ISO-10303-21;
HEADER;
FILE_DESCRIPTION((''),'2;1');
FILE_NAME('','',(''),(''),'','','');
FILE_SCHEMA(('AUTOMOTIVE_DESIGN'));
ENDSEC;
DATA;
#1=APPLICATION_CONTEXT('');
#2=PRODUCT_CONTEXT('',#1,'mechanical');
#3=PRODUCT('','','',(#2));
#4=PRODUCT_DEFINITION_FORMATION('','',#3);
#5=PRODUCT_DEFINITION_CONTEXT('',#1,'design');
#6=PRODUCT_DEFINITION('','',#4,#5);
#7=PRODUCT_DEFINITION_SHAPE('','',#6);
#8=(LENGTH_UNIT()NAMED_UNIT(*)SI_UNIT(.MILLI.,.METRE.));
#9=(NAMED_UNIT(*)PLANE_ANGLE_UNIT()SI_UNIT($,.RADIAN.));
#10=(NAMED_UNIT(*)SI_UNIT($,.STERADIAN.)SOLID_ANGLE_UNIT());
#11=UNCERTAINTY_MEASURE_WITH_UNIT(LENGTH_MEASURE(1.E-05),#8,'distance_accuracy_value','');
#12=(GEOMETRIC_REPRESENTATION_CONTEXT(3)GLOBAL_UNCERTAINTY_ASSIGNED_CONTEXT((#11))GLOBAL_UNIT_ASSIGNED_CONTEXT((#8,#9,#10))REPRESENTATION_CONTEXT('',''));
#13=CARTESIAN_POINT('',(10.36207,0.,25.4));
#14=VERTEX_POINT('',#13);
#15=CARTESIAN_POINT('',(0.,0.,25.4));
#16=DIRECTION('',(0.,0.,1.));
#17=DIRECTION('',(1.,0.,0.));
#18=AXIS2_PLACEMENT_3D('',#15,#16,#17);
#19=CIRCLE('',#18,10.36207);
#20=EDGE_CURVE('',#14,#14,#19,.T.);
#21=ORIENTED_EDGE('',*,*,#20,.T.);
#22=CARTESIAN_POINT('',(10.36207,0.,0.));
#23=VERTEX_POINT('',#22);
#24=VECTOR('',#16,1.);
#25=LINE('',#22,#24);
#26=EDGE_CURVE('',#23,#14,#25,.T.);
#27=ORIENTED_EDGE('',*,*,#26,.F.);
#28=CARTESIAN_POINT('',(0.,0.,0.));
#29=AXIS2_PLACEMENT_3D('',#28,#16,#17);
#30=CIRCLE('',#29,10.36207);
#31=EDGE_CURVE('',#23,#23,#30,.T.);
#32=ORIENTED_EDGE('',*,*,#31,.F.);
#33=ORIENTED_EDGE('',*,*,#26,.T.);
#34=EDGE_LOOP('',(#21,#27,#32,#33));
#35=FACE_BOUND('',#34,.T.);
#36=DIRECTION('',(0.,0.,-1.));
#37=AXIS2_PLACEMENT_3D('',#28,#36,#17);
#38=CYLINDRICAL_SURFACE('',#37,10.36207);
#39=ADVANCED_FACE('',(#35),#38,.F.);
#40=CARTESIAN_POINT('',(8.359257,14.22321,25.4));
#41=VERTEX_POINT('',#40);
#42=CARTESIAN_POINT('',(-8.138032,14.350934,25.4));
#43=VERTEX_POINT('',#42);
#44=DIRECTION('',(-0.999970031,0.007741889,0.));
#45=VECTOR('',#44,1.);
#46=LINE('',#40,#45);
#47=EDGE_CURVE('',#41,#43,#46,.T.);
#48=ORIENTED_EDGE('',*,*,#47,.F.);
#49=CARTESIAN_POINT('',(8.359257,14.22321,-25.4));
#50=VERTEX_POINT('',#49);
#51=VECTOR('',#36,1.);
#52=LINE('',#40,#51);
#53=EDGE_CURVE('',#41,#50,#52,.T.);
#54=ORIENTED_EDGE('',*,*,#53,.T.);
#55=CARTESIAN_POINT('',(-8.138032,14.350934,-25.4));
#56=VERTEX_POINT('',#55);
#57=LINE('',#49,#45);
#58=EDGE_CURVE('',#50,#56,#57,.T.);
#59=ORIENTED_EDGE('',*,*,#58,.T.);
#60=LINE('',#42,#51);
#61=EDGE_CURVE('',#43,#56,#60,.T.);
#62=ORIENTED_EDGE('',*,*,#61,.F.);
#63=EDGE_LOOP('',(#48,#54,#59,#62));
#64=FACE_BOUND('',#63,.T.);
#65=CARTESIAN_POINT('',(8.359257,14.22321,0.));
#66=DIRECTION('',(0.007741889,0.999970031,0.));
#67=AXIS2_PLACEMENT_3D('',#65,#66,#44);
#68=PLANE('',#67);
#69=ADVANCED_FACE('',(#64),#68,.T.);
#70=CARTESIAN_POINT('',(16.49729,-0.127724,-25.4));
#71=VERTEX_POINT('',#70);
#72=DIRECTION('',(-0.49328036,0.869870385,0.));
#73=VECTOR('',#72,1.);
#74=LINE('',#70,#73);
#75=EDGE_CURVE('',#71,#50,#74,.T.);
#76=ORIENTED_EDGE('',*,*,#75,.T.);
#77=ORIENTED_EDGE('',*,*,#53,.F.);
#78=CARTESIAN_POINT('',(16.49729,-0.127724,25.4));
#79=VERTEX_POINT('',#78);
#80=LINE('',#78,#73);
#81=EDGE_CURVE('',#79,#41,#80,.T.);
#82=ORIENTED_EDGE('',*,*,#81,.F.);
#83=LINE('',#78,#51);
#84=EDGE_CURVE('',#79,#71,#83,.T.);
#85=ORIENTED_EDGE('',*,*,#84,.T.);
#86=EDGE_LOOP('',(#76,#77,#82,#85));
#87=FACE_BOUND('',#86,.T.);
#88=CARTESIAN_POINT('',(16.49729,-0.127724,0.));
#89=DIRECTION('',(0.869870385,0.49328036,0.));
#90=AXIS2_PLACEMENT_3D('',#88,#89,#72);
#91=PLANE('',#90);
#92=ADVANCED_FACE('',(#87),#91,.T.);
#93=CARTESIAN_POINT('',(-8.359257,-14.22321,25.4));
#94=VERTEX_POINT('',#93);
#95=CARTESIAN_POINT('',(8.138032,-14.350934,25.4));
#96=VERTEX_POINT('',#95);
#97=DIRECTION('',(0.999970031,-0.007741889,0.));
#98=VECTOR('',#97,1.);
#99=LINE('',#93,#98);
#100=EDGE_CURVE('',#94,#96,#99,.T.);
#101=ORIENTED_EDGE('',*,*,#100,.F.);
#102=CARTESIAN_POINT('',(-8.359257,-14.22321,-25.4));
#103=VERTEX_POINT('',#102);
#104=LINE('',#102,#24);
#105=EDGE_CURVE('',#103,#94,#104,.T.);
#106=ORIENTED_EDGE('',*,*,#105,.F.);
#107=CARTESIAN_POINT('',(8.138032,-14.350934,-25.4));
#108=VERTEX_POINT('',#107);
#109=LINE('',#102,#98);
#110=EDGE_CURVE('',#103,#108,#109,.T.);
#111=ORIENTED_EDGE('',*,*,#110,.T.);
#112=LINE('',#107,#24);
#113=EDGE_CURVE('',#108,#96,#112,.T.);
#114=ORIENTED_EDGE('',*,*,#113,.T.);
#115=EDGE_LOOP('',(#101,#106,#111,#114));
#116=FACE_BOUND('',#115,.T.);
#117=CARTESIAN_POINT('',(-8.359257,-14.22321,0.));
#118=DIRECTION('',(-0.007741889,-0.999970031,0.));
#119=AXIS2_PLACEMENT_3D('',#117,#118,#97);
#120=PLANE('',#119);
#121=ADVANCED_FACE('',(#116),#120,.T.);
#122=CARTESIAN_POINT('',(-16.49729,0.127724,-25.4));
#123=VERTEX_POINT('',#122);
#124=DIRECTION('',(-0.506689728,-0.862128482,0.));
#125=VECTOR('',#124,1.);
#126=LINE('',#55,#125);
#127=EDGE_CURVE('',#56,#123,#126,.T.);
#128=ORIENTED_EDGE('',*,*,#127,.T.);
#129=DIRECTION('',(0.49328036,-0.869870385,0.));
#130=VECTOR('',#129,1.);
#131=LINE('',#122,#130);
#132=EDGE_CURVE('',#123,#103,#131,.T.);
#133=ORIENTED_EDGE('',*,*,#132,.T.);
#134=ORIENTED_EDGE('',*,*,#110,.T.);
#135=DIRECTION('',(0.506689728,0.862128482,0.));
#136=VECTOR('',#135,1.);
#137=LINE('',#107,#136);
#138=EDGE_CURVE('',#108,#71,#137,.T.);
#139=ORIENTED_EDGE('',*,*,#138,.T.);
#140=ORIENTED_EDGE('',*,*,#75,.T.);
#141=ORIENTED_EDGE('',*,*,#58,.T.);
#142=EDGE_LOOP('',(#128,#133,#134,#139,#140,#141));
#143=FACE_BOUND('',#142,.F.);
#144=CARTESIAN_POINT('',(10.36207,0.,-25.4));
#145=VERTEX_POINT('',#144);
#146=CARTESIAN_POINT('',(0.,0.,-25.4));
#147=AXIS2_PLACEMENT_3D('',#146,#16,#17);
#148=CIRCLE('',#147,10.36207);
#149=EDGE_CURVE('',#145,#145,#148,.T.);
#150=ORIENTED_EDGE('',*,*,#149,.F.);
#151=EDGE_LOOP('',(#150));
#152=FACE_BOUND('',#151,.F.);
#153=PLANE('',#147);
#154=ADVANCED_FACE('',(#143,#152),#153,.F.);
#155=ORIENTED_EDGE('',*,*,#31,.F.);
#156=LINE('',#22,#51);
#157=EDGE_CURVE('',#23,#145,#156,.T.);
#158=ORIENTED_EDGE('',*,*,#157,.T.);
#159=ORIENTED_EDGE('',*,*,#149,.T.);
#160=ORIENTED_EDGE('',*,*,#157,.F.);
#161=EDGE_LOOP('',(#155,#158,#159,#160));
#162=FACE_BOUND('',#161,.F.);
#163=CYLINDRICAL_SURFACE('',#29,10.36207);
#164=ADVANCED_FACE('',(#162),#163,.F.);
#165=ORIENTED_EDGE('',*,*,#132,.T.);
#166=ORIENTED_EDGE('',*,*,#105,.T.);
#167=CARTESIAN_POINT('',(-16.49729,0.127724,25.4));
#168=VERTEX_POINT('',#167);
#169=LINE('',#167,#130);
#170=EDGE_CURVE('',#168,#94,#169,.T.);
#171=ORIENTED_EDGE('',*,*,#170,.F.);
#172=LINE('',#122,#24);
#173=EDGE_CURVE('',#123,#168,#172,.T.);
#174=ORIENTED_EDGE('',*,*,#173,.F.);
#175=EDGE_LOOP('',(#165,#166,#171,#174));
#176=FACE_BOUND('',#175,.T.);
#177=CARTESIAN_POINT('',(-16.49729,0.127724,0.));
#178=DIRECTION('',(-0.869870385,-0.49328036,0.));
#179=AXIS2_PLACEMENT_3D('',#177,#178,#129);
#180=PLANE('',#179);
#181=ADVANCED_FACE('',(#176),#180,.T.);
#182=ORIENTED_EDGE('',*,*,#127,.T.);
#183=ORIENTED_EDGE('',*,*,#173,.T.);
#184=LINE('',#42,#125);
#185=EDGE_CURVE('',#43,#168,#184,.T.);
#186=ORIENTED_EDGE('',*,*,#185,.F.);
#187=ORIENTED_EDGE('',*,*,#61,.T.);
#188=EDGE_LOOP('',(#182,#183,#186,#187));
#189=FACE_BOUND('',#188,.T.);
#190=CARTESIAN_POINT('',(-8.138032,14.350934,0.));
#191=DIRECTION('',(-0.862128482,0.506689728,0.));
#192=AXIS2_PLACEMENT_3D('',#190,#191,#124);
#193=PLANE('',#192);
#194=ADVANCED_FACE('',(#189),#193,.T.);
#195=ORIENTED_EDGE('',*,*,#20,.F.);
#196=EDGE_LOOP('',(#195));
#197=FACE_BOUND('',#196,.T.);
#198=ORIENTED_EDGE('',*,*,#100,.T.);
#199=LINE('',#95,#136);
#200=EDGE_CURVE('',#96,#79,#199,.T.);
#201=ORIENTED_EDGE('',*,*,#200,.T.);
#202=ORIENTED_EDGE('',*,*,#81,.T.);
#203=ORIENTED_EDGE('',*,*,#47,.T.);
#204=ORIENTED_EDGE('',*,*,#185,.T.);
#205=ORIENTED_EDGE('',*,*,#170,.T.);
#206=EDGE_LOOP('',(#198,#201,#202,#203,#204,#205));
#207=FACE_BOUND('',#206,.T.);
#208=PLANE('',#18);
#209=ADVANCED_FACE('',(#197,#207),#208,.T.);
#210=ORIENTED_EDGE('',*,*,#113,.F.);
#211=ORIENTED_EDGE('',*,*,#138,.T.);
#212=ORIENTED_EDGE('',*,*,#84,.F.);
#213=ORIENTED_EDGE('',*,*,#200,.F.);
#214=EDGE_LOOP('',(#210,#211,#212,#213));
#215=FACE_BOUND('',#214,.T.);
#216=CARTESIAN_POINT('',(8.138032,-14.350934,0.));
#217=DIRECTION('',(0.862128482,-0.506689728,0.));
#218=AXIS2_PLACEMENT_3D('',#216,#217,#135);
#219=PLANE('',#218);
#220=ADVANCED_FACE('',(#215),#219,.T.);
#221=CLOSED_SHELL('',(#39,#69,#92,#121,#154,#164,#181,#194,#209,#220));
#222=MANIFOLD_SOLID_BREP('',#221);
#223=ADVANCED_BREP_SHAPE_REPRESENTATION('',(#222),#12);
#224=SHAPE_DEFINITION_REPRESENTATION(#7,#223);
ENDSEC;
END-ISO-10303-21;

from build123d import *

# Parameters (mm, degrees)
F0_R          = 10.36207
F1_DEPTH      = 25.4
F1_DEPTH_BACK = 25.4


with BuildPart() as f1:
    # F0 (on Top) → F1 (new body, two sides)
    with BuildSketch(Plane.XY) as f1_sk:
        Polygon((-8.138032, 14.350934), (-16.49729, 0.127724), (-8.359257, -14.22321), (8.138032, -14.350934), (16.49729, -0.127724), (8.359257, 14.22321), align=None)
        Circle(F0_R, mode=Mode.SUBTRACT)
    extrude(amount=F1_DEPTH)
    extrude(f1_sk.sketch, amount=-F1_DEPTH_BACK)


solid = f1.part
